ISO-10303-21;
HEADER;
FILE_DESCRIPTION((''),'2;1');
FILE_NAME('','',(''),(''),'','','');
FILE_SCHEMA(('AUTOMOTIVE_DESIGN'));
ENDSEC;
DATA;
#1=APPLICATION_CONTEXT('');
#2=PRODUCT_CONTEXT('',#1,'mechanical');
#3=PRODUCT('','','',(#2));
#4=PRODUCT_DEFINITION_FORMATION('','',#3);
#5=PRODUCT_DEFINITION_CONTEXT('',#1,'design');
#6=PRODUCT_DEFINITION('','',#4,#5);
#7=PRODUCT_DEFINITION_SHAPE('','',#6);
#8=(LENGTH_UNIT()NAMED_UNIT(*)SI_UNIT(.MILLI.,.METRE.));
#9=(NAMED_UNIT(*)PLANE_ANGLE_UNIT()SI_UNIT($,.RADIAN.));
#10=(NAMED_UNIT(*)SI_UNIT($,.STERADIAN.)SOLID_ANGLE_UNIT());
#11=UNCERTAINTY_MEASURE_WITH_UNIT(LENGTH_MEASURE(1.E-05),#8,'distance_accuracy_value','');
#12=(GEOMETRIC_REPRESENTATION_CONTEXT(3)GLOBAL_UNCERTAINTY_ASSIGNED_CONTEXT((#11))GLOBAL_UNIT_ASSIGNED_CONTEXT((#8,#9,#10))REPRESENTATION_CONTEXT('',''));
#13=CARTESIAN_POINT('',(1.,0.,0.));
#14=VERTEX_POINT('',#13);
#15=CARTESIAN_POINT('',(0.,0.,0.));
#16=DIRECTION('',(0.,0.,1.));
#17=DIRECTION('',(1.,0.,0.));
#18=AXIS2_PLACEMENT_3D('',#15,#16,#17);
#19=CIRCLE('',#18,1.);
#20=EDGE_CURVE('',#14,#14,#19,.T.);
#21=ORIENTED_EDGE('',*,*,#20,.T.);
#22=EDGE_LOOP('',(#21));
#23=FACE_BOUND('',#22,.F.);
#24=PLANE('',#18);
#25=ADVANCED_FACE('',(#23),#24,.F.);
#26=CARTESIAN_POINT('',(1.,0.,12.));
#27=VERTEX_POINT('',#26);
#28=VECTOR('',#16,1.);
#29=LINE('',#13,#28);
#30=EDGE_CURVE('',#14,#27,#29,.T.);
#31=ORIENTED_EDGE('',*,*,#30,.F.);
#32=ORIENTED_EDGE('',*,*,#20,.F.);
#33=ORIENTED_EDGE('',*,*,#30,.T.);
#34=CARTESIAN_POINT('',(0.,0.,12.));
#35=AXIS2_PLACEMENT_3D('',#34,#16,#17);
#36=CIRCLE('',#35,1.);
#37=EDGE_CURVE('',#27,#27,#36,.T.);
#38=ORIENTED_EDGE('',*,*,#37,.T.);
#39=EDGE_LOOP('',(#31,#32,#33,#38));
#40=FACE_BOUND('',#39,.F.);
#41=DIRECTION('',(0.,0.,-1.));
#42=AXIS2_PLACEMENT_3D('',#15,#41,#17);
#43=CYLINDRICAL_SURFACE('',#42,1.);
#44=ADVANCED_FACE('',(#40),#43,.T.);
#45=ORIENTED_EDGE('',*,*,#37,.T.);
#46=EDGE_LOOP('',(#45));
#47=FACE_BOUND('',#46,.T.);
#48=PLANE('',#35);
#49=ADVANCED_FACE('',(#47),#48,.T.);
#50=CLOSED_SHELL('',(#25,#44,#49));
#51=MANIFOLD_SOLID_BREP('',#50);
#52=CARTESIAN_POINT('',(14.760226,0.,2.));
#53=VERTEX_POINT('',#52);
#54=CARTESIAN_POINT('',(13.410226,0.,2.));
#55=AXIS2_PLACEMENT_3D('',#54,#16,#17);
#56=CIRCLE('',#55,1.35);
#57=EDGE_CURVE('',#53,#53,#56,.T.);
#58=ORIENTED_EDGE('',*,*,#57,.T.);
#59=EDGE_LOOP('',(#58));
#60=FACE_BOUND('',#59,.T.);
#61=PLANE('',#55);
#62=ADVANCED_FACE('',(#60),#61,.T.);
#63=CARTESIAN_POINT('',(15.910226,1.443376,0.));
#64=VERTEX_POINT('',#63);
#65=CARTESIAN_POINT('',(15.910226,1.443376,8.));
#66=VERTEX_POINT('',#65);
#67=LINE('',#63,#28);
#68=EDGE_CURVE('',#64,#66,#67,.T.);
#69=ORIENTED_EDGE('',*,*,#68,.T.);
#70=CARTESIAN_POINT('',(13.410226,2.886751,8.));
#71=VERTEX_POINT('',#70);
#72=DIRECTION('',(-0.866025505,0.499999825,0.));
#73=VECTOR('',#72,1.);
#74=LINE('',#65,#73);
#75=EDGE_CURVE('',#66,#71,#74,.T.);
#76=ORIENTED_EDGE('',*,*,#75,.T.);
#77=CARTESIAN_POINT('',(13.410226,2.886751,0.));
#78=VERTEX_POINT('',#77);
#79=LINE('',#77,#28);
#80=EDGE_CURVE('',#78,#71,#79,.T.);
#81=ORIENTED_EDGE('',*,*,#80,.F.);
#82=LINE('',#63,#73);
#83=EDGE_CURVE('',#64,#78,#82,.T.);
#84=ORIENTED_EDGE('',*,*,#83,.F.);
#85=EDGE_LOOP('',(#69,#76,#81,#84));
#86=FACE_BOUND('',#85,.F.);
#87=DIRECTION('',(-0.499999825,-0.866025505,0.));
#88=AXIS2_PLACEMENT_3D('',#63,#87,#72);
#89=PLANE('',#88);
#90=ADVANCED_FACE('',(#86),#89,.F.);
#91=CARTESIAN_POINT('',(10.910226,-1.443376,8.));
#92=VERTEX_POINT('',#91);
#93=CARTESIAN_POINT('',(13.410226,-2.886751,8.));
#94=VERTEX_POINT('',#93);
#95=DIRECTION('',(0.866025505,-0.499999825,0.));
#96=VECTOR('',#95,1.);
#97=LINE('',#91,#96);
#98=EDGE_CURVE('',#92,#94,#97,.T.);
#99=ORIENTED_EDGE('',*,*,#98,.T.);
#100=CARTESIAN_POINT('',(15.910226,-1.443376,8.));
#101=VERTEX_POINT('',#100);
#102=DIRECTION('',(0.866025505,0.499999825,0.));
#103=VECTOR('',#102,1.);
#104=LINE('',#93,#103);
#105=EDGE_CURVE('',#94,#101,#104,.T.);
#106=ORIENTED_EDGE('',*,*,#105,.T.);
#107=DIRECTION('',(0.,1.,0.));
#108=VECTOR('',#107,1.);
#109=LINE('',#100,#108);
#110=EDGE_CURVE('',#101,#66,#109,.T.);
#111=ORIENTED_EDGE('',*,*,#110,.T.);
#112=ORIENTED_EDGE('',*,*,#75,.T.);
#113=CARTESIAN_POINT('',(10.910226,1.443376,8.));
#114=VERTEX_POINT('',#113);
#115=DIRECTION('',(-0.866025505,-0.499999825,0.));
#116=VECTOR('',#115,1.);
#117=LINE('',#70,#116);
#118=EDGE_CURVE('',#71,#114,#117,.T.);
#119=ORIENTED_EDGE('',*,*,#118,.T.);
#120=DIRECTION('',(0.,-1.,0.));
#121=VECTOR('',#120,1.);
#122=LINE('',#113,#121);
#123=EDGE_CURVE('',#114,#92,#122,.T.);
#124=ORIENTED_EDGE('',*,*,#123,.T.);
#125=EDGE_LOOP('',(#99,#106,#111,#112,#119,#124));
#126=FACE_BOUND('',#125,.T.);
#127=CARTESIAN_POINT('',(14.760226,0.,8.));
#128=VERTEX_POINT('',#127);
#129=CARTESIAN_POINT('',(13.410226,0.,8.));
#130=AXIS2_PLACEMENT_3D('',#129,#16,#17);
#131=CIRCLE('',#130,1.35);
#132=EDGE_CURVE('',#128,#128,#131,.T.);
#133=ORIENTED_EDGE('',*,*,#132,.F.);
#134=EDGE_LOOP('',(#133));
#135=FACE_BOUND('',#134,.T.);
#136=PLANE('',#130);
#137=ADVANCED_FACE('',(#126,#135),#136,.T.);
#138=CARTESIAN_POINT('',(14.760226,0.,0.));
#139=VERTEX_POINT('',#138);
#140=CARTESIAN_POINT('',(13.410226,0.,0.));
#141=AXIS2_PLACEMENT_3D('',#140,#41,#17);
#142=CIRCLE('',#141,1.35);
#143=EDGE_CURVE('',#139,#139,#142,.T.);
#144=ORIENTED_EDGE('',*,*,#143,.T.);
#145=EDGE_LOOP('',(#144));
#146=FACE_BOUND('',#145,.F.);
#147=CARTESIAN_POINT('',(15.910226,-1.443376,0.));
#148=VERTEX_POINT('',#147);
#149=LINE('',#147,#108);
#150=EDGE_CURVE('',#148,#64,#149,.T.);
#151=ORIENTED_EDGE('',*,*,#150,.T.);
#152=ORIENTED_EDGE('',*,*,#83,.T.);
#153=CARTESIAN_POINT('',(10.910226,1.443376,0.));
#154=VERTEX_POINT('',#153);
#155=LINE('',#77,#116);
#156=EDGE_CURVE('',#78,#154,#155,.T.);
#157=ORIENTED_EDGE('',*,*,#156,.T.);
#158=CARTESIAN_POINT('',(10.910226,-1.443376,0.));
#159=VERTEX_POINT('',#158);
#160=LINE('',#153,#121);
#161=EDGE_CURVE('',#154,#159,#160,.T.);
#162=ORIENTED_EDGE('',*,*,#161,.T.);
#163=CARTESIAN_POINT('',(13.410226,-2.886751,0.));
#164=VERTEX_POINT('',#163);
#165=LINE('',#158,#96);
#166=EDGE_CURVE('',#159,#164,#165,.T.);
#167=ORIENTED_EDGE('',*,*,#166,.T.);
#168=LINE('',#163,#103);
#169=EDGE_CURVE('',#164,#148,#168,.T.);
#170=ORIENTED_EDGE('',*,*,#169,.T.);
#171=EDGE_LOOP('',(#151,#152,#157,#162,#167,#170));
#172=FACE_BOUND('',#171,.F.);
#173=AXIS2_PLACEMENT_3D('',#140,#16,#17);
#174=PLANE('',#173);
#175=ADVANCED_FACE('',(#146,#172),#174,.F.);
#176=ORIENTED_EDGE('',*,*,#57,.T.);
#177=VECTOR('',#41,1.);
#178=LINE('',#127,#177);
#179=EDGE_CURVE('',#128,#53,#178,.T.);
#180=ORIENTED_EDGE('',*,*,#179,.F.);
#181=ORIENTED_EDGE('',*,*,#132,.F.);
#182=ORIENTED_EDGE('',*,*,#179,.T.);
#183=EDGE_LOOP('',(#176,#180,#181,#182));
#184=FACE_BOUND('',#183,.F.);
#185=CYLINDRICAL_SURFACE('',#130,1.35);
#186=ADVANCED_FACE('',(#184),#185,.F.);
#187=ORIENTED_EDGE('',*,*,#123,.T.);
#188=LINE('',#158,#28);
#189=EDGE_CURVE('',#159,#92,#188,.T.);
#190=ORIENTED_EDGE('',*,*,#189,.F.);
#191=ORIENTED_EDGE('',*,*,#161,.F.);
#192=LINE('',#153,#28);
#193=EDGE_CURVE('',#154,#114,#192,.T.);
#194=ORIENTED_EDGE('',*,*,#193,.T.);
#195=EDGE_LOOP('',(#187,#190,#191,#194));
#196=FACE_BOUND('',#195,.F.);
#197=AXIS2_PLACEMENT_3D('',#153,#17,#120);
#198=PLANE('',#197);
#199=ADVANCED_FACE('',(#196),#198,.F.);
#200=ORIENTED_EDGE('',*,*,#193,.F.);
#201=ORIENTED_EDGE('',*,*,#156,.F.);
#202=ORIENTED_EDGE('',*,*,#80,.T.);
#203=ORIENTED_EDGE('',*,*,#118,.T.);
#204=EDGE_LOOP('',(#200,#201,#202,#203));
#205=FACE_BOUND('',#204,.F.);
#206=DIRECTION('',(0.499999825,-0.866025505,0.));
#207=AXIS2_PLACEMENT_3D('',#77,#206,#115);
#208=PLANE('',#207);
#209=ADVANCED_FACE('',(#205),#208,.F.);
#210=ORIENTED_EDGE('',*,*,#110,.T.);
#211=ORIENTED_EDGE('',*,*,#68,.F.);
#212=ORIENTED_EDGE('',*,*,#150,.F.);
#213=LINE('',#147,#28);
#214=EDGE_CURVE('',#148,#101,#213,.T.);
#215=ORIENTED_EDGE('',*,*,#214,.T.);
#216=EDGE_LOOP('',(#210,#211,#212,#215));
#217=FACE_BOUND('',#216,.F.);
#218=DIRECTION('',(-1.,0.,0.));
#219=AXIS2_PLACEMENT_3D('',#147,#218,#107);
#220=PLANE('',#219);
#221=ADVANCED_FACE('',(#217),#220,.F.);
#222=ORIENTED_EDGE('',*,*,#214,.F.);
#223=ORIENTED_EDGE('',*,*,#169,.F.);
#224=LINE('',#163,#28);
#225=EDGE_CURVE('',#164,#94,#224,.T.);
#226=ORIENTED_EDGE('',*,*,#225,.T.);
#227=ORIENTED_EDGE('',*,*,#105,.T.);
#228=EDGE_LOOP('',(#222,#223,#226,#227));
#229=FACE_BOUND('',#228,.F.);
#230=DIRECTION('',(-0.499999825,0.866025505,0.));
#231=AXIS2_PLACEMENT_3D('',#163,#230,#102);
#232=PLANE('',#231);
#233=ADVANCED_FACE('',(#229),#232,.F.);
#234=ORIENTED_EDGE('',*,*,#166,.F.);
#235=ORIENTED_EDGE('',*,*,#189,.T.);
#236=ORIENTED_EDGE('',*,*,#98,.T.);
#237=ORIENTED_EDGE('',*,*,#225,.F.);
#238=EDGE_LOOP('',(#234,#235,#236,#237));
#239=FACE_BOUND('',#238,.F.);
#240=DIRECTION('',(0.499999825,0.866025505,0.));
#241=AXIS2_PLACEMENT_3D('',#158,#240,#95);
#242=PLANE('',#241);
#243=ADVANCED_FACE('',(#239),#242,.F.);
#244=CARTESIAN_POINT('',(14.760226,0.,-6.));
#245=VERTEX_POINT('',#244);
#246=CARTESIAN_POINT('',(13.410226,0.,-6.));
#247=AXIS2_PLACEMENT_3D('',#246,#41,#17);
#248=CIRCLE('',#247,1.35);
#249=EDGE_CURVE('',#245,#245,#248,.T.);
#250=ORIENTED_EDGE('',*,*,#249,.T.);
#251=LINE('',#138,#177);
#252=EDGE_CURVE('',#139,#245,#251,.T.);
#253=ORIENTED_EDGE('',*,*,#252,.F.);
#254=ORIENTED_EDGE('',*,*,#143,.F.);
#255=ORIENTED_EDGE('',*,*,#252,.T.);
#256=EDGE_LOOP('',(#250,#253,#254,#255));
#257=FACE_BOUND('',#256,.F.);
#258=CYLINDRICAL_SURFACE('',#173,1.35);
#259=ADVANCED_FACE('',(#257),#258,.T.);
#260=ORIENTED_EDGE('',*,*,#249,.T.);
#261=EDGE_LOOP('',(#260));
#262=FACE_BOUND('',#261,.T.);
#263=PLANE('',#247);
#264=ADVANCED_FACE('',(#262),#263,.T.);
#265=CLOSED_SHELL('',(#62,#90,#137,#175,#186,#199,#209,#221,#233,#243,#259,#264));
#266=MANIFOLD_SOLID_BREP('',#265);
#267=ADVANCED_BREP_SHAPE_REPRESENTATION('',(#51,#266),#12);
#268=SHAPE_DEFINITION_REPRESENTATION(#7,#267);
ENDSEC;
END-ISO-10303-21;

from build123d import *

# Parameters (mm, degrees)
F0_R     = 1
F1_DEPTH = 12
F3_DEPTH = 8
F4_R     = 1.35
F5_DEPTH = 6
F6_R     = 1.35
F7_DEPTH = 6


with BuildPart() as f1:
    # F0 (on Top) → F1 (new body)
    with BuildSketch(Plane.XY):
        Circle(F0_R)
    extrude(amount=F1_DEPTH)


with BuildPart() as f3:
    # F2 (on Top) → F3 (new body)
    with BuildSketch(Plane.XY):
        Polygon((15.910226, -1.443376), (15.910226, 1.443376), (13.410226, 2.886751), (10.910226, 1.443376), (10.910226, -1.443376), (13.410226, -2.886751), align=None)
    extrude(amount=F3_DEPTH)

    # F4 (on face) → F5 (cut)
    with BuildSketch(Plane.XY.offset(8)):
        with Locations((13.410226, 0)):
            Circle(F4_R)
    extrude(amount=-F5_DEPTH, mode=Mode.SUBTRACT)

    # F6 (on face) → F7 (join)
    with BuildSketch(Plane(origin=(0, 0, 0), x_dir=(1, 0, 0), z_dir=(0, 0, -1))):
        with Locations((13.410226, 0)):
            Circle(F6_R)
    extrude(amount=F7_DEPTH)


solid = Compound([f1.part, f3.part])
